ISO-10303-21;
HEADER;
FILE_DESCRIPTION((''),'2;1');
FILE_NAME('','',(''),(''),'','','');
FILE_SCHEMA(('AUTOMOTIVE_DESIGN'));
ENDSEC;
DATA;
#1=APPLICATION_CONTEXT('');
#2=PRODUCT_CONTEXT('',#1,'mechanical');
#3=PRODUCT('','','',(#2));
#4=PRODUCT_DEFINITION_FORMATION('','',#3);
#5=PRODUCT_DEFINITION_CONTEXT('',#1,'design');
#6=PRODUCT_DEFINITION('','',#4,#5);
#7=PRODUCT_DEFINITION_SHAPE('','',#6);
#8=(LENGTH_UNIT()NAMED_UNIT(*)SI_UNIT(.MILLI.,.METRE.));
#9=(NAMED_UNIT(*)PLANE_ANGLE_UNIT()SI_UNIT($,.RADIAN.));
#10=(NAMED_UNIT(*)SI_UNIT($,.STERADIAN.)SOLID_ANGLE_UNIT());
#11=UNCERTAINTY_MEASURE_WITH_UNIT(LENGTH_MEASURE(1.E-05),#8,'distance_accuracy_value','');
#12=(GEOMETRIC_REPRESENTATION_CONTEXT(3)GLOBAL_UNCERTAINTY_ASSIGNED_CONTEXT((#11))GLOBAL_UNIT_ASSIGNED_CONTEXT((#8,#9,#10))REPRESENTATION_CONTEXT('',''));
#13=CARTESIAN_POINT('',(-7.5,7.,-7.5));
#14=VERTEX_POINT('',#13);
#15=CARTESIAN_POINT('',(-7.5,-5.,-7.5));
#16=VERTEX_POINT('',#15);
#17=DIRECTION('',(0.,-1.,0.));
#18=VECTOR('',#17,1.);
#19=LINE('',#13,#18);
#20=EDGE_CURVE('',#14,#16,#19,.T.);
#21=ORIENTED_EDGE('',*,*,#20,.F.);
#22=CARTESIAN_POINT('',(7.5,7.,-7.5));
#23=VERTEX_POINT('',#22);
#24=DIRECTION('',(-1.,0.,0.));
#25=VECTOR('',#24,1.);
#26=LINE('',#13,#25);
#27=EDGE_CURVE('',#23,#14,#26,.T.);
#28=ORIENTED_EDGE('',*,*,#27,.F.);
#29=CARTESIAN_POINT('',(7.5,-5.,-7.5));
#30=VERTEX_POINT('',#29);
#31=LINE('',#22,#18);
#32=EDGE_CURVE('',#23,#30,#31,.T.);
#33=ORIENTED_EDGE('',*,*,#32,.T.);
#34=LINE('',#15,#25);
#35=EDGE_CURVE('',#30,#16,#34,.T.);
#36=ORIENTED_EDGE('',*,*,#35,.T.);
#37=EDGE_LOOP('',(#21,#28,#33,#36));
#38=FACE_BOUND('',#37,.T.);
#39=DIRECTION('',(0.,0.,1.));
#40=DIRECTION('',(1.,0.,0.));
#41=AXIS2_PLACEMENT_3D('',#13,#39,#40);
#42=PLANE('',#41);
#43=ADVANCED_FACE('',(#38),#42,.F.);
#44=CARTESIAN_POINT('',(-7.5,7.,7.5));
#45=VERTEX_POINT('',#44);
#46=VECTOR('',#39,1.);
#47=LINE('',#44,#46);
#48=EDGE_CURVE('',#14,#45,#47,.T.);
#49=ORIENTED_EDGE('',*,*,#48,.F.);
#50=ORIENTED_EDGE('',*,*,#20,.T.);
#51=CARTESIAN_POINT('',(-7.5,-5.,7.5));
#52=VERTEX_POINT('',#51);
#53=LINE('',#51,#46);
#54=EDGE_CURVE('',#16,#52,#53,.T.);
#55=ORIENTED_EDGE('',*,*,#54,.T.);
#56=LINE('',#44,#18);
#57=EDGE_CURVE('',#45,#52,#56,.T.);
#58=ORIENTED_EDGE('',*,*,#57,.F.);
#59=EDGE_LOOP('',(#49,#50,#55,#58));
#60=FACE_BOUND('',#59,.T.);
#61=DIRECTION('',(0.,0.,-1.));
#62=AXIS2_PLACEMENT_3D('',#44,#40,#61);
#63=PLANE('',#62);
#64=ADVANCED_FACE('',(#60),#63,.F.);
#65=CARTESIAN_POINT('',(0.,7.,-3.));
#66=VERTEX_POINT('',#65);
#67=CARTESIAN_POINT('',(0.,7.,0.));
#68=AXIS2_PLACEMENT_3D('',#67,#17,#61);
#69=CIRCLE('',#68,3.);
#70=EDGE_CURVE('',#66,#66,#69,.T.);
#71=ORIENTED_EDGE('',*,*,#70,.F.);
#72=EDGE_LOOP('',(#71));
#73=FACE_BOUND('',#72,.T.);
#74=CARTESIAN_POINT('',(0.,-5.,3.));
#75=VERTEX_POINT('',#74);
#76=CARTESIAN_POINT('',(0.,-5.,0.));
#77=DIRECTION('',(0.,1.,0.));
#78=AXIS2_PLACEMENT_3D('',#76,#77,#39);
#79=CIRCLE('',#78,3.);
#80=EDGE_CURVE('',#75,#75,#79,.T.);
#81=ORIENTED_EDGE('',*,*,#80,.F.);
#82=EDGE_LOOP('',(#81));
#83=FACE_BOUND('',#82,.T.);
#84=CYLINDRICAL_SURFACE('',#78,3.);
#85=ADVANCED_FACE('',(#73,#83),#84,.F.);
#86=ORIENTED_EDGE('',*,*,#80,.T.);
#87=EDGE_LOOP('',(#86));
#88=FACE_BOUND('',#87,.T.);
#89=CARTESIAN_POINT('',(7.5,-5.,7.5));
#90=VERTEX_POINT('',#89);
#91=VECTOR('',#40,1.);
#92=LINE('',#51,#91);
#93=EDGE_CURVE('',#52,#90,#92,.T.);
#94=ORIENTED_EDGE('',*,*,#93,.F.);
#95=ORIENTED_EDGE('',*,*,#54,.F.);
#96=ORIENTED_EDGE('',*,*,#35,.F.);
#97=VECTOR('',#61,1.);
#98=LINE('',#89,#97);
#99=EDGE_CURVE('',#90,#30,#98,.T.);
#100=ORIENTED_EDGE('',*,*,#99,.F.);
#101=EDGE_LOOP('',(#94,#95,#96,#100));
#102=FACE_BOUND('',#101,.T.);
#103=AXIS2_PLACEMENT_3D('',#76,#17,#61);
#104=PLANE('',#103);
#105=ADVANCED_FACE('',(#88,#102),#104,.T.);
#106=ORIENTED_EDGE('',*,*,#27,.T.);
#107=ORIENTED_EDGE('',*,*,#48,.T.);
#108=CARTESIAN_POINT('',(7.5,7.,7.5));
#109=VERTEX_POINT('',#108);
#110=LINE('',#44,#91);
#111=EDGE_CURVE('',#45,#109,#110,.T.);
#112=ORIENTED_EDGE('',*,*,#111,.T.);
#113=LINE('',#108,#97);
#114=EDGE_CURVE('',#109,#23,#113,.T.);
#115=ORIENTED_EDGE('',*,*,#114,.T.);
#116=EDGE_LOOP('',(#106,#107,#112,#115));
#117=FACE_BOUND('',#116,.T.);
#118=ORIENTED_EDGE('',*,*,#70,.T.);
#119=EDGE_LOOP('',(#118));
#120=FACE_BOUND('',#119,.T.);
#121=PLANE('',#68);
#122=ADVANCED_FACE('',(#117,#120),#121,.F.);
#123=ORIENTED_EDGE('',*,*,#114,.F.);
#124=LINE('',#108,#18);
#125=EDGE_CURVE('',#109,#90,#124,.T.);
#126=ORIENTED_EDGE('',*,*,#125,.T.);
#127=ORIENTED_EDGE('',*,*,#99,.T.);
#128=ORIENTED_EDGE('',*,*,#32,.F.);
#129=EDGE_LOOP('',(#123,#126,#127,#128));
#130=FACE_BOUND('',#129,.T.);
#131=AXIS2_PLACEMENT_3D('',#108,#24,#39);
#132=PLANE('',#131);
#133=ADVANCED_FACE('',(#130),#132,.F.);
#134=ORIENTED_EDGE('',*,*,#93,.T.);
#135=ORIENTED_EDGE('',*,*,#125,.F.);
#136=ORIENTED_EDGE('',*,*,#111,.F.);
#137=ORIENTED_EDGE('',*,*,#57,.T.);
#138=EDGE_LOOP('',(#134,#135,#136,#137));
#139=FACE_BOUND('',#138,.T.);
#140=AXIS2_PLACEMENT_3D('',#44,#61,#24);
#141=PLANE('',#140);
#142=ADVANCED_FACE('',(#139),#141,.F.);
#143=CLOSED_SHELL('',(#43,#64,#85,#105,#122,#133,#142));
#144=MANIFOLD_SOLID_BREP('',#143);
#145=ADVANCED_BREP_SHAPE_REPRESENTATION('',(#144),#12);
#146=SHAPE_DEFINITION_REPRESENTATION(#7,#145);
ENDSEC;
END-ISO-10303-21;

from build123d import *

# Parameters (mm, degrees)
SKETCH1_W               = 2.5
SKETCH1_H               = 2.5
BOSS_EXTRUDE1_DEPTH     = 2
CUT_EXTRUDE1_DEPTH      = 3.669269563
CUT_EXTRUDE1_DEPTH_BACK = 3.669269563
SKETCH2_R               = 0.5
SCALE1_SCALE            = 6


with BuildPart() as part:
    # Sketch1 → Boss-Extrude1 (new body)
    with BuildSketch(Plane(origin=(0, 0, 0), x_dir=(1, 0, 0), z_dir=(0, 1, 0))):
        Rectangle(SKETCH1_W, SKETCH1_H)
    extrude(amount=BOSS_EXTRUDE1_DEPTH)

    # Sketch2 → Cut-Extrude1 (cut, two sides: drawn at the far end of the back side and taken through both)
    with BuildSketch(Plane(origin=(0, 2, 0), x_dir=(1, 0, 0), z_dir=(0, 1, 0)).offset(-CUT_EXTRUDE1_DEPTH_BACK)):
        with Locations(Location((0, 0, 0), (0, 0, 270))):
            Circle(SKETCH2_R)
    extrude(amount=CUT_EXTRUDE1_DEPTH + CUT_EXTRUDE1_DEPTH_BACK, mode=Mode.SUBTRACT)


with BuildPart() as part_1:
    # Scale1: scaled about (0, 1, 0)
    add(part.part.scale(SCALE1_SCALE).moved(Location((0, -5, 0))))


solid = part_1.part
